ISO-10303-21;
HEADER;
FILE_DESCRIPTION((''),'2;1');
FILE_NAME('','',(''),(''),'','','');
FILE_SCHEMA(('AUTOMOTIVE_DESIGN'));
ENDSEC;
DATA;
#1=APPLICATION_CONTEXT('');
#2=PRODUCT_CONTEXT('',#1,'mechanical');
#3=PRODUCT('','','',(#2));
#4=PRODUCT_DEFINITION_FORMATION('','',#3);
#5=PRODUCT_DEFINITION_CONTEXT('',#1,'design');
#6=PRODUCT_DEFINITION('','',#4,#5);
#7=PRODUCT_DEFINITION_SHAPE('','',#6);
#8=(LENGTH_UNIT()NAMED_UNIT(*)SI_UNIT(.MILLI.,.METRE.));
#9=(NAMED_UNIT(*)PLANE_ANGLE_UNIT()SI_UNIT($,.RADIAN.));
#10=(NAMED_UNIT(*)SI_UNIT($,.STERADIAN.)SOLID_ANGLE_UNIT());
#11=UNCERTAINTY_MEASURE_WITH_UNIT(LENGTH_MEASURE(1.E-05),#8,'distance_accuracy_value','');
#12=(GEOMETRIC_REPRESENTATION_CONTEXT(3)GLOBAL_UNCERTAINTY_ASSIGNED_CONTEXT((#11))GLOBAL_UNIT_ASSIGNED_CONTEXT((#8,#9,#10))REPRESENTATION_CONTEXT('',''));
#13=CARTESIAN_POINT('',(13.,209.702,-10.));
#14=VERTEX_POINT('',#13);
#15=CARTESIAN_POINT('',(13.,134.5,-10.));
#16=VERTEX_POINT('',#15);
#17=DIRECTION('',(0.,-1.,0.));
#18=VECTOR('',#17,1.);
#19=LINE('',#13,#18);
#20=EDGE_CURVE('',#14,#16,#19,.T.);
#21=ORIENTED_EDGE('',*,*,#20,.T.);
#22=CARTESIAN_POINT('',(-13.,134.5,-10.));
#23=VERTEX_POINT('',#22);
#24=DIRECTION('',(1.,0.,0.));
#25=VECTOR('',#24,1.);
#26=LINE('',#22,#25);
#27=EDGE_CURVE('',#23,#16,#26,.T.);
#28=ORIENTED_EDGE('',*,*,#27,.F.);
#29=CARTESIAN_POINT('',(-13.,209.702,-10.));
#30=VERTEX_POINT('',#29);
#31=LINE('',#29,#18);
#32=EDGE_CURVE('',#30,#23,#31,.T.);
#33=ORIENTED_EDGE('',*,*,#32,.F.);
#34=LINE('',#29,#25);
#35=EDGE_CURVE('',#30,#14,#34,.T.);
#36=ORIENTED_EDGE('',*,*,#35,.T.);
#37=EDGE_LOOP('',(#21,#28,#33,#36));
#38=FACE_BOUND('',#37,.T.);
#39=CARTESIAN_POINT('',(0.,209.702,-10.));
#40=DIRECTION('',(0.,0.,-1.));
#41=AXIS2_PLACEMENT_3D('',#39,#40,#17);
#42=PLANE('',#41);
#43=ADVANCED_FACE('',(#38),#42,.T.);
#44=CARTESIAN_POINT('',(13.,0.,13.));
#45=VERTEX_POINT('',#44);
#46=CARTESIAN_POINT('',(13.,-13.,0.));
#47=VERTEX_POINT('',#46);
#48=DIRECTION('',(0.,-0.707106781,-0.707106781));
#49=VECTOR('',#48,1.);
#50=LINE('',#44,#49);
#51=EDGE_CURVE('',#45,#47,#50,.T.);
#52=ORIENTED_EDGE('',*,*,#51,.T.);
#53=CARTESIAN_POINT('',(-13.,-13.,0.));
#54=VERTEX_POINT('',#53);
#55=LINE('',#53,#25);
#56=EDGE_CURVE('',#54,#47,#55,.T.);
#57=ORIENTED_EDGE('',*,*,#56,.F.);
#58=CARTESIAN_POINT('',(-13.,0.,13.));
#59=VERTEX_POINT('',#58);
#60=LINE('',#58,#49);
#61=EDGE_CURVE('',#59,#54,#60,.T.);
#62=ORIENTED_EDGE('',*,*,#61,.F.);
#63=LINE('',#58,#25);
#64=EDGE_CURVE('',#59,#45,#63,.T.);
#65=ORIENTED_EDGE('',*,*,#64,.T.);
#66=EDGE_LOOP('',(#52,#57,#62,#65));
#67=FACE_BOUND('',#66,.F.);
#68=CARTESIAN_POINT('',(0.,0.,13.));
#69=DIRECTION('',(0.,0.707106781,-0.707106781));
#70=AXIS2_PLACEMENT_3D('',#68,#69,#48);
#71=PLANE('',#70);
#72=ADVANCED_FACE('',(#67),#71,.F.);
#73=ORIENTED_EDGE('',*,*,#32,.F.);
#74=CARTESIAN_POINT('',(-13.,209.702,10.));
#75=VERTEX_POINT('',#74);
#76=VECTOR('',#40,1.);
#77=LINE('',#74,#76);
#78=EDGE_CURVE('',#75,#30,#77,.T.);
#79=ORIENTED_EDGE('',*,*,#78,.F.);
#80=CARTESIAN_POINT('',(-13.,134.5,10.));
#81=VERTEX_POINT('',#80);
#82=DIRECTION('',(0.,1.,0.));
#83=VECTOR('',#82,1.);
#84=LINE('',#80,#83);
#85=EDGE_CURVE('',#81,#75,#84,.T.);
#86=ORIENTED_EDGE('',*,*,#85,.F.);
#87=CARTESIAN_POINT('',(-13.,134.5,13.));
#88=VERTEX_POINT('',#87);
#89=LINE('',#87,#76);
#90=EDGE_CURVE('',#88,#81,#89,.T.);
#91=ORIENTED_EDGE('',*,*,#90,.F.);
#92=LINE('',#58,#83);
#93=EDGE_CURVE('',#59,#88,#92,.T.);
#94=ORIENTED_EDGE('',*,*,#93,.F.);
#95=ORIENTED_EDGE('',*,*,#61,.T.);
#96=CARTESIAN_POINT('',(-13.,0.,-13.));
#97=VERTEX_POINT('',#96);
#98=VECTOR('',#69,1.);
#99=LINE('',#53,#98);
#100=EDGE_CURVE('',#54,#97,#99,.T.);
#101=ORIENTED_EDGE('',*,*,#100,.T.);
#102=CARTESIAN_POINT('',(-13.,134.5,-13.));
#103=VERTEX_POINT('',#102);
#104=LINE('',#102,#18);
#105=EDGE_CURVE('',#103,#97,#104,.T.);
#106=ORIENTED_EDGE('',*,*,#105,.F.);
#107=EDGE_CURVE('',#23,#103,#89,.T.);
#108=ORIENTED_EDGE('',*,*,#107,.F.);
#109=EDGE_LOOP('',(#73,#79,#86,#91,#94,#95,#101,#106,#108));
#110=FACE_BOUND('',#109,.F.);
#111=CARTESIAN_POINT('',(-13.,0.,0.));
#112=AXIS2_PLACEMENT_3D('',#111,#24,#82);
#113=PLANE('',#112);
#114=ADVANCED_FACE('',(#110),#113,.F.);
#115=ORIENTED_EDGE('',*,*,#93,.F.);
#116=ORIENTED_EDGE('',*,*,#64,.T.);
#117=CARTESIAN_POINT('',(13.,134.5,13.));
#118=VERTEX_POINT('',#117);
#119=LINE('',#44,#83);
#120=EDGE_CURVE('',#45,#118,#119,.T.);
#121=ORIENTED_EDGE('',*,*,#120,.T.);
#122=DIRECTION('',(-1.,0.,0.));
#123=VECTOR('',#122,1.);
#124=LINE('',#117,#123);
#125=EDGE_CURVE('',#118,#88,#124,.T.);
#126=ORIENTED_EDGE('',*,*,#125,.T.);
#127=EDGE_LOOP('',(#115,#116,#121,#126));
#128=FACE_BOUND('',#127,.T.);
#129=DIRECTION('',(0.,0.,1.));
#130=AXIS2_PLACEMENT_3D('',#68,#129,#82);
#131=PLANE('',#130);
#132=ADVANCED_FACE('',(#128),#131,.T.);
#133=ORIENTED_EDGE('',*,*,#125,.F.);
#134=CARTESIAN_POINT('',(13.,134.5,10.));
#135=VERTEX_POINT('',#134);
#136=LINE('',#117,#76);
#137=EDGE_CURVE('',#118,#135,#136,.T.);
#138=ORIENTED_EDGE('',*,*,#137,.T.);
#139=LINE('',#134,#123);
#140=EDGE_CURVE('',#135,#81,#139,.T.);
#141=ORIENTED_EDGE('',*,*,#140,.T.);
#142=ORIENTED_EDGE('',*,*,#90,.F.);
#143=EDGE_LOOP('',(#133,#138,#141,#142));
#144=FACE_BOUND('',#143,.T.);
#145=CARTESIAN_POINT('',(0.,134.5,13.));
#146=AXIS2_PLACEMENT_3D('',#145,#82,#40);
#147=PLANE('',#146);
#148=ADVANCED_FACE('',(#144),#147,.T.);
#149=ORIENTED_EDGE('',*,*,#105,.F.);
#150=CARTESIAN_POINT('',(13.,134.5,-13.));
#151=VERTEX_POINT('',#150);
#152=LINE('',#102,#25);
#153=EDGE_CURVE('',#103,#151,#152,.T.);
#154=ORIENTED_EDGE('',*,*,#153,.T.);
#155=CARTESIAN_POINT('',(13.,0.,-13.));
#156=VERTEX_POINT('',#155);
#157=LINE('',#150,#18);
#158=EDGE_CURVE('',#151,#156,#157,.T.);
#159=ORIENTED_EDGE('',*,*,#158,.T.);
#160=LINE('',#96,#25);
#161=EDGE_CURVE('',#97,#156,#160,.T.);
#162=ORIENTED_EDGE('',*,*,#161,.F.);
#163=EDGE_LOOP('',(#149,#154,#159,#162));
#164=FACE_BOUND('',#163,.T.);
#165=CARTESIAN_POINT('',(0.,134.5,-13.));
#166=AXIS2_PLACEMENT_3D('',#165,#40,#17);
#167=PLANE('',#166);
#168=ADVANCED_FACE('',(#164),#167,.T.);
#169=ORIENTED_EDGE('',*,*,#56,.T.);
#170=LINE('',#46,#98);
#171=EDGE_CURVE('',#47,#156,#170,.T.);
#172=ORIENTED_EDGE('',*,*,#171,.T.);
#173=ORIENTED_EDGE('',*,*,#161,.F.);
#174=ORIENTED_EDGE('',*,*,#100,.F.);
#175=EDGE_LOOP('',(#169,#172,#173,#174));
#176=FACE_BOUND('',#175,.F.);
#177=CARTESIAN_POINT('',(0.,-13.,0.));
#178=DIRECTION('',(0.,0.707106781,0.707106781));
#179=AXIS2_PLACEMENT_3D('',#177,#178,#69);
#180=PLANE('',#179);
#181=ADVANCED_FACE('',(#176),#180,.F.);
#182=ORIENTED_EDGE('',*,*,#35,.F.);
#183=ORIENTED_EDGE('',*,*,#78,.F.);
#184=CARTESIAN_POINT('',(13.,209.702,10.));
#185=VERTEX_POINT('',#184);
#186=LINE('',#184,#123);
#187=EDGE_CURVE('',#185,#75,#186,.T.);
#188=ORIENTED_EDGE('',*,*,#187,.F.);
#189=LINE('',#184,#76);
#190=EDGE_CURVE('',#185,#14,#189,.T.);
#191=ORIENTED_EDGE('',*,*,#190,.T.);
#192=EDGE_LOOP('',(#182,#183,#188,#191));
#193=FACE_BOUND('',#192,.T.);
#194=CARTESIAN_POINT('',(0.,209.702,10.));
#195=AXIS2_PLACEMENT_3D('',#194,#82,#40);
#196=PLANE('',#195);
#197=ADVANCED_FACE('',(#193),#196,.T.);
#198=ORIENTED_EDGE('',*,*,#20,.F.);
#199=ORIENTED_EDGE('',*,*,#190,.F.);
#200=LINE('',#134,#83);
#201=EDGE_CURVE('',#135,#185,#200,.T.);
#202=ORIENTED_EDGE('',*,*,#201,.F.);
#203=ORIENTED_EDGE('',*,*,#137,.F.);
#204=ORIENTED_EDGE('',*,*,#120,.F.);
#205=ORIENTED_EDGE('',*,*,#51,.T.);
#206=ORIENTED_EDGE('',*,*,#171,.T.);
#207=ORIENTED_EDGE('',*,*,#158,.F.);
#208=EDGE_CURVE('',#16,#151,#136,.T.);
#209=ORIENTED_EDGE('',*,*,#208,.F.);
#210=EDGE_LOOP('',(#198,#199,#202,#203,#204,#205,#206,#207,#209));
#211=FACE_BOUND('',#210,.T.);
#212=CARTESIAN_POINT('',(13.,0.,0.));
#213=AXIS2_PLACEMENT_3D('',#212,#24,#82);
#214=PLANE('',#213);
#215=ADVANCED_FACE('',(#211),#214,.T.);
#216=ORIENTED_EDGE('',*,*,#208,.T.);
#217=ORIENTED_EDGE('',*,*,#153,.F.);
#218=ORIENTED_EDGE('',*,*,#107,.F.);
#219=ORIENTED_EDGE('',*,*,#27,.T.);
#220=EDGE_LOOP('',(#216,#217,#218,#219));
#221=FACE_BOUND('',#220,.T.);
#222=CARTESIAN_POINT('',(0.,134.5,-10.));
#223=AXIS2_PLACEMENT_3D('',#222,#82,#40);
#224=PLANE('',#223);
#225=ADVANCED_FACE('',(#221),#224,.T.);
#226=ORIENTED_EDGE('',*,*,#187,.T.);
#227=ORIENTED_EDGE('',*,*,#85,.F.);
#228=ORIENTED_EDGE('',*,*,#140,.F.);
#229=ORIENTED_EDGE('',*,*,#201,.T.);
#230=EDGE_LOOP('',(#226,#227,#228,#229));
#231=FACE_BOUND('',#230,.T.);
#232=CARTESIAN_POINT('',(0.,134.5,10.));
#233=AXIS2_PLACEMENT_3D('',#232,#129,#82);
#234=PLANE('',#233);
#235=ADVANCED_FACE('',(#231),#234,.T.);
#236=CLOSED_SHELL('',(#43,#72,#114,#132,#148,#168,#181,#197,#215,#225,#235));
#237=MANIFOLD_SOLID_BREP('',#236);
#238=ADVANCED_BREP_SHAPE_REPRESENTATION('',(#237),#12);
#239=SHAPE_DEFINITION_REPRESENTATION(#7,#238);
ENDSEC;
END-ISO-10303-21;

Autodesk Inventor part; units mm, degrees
ref_plane "YZ Plane" through (0, 0, 0) normal (1, 0, 0) x (0, 1, 0)
ref_plane "XZ Plane" through (0, 0, 0) normal (0, 1, 0) x (-1, 0, 0)
ref_plane "XY Plane" through (0, 0, 0) normal (0, 0, 1) x (1, 0, 0)
sketch "Sketch1" plane through (0, 0, 0) normal (1, 0, 0) x (0, 1, 0)
  line L0 (0, 13) -> (134.5, 13)
  line L1 (134.5, 13) -> (134.5, -13)
  line L2 (134.5, -13) -> (0, -13)
  line L3 (0, -13) -> (0, 13) construction
  line L4 (134.5, 10) -> (209.702, 10)
  line L5 (209.702, 10) -> (209.702, -10)
  line L6 (209.702, -10) -> (134.5, -10)
  line L7 (134.5, -10) -> (134.5, 10)
  line L8 (209.702, -9) -> (209.702, 9) construction
  line L9 (134.5, 10) -> (208.702, 10) construction
  line L10 (134.5, 11.5) -> (134.5, -11.5) construction
  line L11 (133, 13) -> (0, 13) construction
  line L12 (133, -13) -> (8.0257, -13) construction
  line L13 (0, 13) -> (-13, 0)
  line L14 (-13, 0) -> (0, -13)
  line L15 (-57.5404, 0) -> (254.2424, 0) construction
  arc A0 (0, 13) -> (-8.5144, -9.8237) centre (0, 0) ccw construction
  point P0 (209.702, 0)
extrude "Extrusion1" add sketch "Sketch1" along normal mid plane 26
properties part number "ForearmActuatorBodyBoundingBoxReal"
